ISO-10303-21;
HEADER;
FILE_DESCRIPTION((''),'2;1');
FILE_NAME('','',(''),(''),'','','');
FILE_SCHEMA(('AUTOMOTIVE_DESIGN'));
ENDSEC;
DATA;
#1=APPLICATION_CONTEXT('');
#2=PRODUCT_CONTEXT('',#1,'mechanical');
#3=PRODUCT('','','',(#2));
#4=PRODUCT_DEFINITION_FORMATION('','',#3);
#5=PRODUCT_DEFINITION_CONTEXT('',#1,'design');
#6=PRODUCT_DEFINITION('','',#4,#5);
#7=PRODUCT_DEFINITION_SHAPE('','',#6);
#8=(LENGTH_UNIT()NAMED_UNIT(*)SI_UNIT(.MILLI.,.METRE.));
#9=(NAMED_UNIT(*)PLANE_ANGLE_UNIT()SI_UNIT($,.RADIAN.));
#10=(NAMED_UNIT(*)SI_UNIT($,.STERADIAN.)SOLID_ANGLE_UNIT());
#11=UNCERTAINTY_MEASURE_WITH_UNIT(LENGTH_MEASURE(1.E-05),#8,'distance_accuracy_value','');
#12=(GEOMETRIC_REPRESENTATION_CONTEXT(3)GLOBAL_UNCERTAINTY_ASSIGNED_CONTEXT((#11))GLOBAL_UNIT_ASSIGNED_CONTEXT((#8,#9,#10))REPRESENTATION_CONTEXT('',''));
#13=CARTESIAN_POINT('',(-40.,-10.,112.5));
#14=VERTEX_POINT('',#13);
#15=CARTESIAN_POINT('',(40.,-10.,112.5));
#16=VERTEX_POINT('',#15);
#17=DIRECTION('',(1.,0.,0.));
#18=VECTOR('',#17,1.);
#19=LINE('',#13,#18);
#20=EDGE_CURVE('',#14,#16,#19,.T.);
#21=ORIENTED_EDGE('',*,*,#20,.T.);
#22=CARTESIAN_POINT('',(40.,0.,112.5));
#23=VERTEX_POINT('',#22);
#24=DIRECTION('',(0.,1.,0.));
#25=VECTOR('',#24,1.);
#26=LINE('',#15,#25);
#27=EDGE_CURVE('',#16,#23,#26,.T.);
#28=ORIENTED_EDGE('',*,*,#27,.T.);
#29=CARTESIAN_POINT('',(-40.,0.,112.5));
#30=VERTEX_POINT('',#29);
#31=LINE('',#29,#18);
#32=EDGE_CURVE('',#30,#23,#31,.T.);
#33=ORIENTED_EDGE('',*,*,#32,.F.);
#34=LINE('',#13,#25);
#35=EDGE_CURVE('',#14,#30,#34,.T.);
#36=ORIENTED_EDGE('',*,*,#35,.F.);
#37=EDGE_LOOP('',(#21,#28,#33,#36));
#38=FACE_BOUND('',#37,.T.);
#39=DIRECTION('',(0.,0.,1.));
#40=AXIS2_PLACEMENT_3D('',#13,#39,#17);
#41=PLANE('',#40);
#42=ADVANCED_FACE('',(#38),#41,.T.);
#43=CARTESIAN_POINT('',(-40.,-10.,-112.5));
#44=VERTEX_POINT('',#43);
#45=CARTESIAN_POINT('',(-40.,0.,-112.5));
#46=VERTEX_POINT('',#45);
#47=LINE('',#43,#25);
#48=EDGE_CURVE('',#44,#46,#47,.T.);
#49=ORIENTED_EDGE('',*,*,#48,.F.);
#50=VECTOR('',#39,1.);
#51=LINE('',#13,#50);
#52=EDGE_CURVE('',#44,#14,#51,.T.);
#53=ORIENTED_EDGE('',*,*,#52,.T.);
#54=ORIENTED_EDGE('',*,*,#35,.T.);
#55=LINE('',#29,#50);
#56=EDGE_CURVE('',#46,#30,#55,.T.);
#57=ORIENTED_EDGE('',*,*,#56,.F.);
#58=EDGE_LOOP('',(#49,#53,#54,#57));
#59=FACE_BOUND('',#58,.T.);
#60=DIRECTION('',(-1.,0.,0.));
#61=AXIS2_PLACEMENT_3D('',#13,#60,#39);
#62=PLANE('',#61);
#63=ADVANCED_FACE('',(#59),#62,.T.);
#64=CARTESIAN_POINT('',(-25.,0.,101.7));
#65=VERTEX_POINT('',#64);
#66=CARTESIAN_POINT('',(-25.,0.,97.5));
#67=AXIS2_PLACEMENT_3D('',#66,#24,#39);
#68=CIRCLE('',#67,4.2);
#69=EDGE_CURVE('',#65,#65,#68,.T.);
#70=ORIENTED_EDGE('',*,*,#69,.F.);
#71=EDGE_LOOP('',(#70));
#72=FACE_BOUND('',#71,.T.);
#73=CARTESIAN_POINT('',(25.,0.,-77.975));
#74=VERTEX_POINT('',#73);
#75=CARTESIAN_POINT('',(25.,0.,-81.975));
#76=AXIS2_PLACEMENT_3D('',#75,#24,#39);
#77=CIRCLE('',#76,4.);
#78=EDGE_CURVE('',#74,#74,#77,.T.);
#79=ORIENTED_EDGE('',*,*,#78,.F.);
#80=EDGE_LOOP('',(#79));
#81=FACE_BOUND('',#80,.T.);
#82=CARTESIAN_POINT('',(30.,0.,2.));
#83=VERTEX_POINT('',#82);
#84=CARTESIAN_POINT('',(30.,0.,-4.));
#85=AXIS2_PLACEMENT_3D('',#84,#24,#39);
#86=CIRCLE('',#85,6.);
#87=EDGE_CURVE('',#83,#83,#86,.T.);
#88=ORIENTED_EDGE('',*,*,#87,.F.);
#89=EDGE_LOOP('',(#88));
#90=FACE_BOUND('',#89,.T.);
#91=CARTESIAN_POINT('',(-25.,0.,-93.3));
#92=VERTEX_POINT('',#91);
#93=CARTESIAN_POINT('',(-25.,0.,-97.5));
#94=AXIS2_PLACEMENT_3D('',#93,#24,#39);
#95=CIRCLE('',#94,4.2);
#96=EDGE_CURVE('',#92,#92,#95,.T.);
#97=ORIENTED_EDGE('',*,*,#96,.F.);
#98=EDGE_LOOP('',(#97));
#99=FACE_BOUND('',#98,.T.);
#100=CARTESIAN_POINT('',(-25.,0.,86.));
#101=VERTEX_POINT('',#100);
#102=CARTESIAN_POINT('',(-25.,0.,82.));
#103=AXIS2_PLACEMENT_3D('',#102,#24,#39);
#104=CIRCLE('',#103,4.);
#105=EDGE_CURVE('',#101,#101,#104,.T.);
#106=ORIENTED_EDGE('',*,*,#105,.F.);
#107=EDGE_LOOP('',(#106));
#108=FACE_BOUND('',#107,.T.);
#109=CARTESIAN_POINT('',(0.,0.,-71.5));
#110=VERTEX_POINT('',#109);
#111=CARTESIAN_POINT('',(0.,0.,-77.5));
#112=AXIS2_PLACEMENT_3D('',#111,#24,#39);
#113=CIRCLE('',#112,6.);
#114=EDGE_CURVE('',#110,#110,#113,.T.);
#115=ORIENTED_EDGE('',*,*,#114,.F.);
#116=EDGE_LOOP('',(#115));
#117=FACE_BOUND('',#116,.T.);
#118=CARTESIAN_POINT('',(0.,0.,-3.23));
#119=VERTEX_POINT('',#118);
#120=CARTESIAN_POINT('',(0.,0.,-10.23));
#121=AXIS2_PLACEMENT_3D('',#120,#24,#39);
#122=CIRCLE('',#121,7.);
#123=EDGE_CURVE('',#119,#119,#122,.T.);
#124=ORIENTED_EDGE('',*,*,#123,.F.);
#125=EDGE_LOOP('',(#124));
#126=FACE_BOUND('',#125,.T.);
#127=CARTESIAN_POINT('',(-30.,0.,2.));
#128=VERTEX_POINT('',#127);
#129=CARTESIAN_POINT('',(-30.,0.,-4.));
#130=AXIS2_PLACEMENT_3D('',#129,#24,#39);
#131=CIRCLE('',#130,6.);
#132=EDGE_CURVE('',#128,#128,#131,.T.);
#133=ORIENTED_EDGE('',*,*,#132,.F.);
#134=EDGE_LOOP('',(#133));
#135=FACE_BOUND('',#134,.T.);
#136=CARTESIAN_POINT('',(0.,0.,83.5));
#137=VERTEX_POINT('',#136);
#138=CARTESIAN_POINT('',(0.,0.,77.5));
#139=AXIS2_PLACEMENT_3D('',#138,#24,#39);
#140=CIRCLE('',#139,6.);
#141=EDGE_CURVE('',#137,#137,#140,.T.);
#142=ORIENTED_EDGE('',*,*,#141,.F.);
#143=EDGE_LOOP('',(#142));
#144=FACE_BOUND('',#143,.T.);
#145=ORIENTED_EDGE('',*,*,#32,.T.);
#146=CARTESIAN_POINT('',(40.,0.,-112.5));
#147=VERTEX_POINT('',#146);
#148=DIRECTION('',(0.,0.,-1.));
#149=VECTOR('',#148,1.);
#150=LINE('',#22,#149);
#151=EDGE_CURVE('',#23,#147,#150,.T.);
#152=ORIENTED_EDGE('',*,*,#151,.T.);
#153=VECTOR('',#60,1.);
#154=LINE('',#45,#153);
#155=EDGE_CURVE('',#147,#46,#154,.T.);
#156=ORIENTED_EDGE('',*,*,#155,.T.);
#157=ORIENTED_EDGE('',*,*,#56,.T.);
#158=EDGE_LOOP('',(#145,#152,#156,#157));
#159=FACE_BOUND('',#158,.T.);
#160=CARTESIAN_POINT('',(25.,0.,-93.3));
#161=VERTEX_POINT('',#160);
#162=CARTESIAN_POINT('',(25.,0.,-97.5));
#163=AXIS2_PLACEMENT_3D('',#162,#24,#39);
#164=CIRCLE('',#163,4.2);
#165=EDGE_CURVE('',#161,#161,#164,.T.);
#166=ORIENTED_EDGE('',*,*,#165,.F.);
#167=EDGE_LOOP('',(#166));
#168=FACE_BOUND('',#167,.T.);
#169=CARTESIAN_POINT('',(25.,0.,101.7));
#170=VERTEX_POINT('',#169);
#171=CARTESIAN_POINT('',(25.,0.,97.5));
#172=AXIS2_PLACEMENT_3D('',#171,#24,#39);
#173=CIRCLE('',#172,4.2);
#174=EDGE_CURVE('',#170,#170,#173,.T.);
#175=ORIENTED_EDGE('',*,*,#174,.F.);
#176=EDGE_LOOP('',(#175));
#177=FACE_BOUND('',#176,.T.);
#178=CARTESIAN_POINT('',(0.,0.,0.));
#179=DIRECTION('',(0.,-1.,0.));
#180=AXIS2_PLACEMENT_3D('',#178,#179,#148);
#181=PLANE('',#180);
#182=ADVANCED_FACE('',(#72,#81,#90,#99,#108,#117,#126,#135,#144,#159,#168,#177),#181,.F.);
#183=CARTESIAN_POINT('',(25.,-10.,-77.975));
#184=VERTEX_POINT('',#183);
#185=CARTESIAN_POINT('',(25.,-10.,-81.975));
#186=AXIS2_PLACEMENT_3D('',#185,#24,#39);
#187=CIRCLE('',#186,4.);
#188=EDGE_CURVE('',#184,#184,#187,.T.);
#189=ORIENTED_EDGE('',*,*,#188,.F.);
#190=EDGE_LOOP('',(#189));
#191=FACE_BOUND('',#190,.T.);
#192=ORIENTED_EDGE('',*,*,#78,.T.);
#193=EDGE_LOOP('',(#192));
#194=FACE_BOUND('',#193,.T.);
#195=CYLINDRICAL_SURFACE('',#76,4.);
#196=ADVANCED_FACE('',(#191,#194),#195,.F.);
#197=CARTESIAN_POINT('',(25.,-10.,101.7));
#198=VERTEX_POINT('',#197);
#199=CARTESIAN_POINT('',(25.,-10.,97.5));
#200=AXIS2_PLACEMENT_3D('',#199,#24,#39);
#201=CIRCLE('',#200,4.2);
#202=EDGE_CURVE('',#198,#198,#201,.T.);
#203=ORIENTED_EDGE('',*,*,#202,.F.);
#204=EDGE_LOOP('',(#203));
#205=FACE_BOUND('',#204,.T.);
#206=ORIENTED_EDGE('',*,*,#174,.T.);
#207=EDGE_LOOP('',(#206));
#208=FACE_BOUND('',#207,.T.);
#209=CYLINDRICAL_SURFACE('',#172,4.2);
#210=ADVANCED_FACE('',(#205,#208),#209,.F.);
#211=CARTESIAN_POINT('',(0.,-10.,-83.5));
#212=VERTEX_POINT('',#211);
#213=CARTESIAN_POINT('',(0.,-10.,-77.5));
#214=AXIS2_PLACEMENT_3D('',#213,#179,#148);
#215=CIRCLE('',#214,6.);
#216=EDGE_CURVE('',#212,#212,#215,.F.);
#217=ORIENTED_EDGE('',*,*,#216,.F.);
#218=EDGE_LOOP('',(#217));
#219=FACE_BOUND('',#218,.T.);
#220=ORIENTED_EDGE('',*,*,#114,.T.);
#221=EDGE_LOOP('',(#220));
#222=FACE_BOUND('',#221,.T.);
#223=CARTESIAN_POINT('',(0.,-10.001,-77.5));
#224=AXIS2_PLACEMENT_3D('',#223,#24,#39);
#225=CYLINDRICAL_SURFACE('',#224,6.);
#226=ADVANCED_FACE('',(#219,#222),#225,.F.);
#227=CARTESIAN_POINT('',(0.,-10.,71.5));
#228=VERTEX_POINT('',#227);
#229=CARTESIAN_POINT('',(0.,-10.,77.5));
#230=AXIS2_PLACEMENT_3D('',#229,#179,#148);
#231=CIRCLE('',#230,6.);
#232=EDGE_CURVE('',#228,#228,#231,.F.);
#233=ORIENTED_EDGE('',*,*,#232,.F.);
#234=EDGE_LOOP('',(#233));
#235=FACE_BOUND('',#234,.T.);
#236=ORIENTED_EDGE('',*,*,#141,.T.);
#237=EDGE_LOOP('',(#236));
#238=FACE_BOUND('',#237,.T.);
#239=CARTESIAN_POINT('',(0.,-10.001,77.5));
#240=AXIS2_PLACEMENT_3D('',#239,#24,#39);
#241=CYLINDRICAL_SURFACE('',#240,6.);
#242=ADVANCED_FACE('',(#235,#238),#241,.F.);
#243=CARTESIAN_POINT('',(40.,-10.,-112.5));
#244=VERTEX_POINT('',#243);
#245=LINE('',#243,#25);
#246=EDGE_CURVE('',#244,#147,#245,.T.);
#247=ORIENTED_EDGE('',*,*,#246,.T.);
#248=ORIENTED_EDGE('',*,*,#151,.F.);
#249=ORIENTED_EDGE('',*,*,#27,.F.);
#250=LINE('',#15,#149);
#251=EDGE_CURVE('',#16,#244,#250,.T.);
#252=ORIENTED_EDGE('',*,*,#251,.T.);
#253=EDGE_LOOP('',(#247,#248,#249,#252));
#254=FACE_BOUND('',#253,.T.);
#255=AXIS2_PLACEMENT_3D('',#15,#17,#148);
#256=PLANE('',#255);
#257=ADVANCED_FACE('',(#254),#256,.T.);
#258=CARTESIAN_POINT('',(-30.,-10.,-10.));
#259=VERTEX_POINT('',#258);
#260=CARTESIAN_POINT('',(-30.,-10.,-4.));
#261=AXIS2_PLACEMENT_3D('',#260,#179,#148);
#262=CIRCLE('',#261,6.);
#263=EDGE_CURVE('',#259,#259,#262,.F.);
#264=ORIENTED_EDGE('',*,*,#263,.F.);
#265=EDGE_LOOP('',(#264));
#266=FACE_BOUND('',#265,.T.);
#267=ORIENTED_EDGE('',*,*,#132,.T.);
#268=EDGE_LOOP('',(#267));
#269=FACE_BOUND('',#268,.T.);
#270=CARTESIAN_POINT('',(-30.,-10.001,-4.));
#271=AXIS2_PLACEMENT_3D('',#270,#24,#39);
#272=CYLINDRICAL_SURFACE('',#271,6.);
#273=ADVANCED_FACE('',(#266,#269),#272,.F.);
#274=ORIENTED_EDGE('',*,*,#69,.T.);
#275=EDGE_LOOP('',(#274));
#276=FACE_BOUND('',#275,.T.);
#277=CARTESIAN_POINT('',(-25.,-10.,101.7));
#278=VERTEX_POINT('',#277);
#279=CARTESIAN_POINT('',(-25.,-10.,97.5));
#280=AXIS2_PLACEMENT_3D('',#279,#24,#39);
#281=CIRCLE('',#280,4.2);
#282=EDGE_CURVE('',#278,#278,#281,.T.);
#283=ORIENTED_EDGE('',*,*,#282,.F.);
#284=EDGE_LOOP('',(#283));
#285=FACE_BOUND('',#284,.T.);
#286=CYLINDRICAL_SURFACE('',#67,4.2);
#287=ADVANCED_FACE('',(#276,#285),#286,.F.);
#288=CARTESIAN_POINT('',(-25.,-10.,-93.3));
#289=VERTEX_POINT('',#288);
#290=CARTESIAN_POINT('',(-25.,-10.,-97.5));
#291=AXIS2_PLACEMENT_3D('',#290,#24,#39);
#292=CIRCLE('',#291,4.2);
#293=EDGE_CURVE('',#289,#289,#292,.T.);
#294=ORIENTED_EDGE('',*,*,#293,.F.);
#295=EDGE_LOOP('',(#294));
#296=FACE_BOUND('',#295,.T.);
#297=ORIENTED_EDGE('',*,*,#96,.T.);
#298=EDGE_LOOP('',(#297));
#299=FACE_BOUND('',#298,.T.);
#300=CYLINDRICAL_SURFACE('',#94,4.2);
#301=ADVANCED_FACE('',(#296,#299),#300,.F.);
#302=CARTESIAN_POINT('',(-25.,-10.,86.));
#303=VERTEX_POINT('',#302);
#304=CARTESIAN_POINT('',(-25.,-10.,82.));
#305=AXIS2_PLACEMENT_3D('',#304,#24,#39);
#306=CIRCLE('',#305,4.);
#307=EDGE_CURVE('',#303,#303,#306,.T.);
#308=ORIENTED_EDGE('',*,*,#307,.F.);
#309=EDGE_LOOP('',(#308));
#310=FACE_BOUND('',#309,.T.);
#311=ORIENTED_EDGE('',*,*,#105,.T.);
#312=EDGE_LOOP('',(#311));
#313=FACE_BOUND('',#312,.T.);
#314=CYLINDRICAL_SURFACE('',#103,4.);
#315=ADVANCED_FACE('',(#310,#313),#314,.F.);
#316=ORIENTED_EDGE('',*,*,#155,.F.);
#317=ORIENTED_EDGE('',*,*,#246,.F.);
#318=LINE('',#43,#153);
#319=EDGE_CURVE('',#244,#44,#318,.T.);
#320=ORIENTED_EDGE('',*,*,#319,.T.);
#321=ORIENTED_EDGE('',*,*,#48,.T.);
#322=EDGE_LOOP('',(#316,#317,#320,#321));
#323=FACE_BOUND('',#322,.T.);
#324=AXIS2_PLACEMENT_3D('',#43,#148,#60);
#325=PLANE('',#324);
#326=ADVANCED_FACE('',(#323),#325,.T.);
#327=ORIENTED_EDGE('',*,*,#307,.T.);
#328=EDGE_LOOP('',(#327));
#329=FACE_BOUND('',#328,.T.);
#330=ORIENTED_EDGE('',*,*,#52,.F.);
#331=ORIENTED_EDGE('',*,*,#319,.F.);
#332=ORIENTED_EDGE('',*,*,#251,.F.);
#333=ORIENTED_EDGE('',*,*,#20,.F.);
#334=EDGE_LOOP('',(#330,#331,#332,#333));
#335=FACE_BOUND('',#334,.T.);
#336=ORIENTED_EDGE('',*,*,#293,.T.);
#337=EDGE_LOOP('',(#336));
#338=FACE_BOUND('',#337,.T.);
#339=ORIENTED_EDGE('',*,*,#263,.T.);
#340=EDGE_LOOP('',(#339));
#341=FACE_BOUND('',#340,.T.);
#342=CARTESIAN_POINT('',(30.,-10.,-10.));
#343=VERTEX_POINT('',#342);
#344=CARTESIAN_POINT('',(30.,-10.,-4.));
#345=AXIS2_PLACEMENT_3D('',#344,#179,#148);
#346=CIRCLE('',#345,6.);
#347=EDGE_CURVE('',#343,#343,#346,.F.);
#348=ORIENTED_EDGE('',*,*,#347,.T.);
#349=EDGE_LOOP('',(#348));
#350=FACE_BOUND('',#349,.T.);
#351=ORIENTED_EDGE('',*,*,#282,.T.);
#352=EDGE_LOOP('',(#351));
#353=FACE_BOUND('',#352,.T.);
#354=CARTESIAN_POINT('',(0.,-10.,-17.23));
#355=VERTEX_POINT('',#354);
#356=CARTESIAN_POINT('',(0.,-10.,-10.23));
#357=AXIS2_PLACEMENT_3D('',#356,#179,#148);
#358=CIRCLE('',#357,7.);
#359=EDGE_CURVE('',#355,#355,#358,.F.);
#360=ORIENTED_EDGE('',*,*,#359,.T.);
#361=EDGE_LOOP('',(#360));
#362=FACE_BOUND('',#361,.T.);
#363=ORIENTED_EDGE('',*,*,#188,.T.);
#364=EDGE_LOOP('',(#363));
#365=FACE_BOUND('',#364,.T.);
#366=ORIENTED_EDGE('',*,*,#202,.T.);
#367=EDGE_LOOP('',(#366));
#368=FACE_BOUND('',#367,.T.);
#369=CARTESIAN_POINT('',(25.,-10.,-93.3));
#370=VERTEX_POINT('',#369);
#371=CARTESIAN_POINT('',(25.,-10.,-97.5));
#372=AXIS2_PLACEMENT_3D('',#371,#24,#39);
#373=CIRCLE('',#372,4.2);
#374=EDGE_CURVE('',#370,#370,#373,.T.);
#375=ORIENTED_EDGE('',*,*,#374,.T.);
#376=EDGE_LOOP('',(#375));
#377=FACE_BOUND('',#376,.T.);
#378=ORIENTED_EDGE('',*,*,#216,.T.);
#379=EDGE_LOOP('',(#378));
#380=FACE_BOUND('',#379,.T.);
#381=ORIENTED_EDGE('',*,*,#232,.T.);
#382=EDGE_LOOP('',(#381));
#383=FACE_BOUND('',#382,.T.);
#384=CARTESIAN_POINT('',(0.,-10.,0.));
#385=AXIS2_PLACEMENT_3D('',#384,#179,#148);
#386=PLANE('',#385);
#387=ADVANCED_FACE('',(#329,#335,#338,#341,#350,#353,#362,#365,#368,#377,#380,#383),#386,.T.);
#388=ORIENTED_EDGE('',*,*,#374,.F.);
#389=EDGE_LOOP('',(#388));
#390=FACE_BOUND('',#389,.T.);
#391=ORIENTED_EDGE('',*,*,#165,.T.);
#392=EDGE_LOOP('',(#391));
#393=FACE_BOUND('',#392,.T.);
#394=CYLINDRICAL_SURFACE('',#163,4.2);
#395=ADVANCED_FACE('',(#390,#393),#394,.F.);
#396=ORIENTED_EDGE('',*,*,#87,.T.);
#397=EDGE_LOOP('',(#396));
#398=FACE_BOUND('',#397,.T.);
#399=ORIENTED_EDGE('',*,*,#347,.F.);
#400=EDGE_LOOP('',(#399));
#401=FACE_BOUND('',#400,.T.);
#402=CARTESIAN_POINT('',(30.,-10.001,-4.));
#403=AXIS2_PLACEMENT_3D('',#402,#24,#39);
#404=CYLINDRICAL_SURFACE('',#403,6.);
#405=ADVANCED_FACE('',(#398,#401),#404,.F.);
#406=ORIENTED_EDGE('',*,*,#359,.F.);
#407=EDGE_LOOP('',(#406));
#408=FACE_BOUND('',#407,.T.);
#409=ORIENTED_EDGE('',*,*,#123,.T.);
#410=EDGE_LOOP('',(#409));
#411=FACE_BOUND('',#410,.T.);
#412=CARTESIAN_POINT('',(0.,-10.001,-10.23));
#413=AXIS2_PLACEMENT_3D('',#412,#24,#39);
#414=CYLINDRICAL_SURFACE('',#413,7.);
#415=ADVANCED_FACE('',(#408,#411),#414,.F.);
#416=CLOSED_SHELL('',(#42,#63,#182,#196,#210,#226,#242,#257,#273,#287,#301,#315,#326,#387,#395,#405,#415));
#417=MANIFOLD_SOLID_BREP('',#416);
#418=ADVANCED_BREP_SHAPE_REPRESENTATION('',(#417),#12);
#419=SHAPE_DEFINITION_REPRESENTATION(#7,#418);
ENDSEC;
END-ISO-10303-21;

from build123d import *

# Parameters (mm, degrees)
SKETCH1_W             = 80
SKETCH1_H             = 225
BOSS_EXTRUDE1_DEPTH   = 10
CUT_EXTRUDE1_REACH    = 121.818
SKETCH2_R             = 6
M8_CLEARANCE_HOLE1_D  = 8.4
F_8_0MM_DOWEL_HOLE1_D = 8
CUT_EXTRUDE3_REACH    = 121.818
SKETCH10_R            = 7


with BuildPart() as part:
    # Sketch1 → Boss-Extrude1 (new body)
    with BuildSketch(Plane(origin=(0, 0, 0), x_dir=(1, 0, 0), z_dir=(0, 1, 0))):
        Rectangle(SKETCH1_W, SKETCH1_H)
    extrude(amount=-BOSS_EXTRUDE1_DEPTH)

    # Sketch2 → Cut-Extrude1 (cut, up to next)
    with BuildSketch(Plane(origin=(0, 0, 0), x_dir=(1, 0, 0), z_dir=(0, 1, 0)), mode=Mode.PRIVATE) as cut_extrude1_sk1:
        with Locations(Location((0, 77.5, 0), (0, 0, 270))):
            Circle(SKETCH2_R)
    cut_extrude1_tool1 = extrude(cut_extrude1_sk1.sketch, amount=-CUT_EXTRUDE1_REACH, mode=Mode.PRIVATE) & part.part
    # Sketch2 → Cut-Extrude1 (cut, up to next)
    with BuildSketch(Plane(origin=(0, 0, 0), x_dir=(1, 0, 0), z_dir=(0, 1, 0)), mode=Mode.PRIVATE) as cut_extrude1_sk2:
        with Locations(Location((30, 4, 0), (0, 0, 270))):
            Circle(SKETCH2_R)
    cut_extrude1_tool2 = extrude(cut_extrude1_sk2.sketch, amount=-CUT_EXTRUDE1_REACH, mode=Mode.PRIVATE) & part.part
    # Sketch2 → Cut-Extrude1 (cut, up to next)
    with BuildSketch(Plane(origin=(0, 0, 0), x_dir=(1, 0, 0), z_dir=(0, 1, 0)), mode=Mode.PRIVATE) as cut_extrude1_sk3:
        with Locations(Location((-30, 4, 0), (0, 0, 270))):
            Circle(SKETCH2_R)
    cut_extrude1_tool3 = extrude(cut_extrude1_sk3.sketch, amount=-CUT_EXTRUDE1_REACH, mode=Mode.PRIVATE) & part.part
    # Sketch2 → Cut-Extrude1 (cut, up to next)
    with BuildSketch(Plane(origin=(0, 0, 0), x_dir=(1, 0, 0), z_dir=(0, 1, 0)), mode=Mode.PRIVATE) as cut_extrude1_sk4:
        with Locations(Location((0, -77.5, 0), (0, 0, 270))):
            Circle(SKETCH2_R)
    cut_extrude1_tool4 = extrude(cut_extrude1_sk4.sketch, amount=-CUT_EXTRUDE1_REACH, mode=Mode.PRIVATE) & part.part
    add(cut_extrude1_tool1.solids().sort_by_distance((0, 0, -77.5))[0], mode=Mode.SUBTRACT)
    add(cut_extrude1_tool2.solids().sort_by_distance((30, 0, -4))[0], mode=Mode.SUBTRACT)
    add(cut_extrude1_tool3.solids().sort_by_distance((-30, 0, -4))[0], mode=Mode.SUBTRACT)
    add(cut_extrude1_tool4.solids().sort_by_distance((0, 0, 77.5))[0], mode=Mode.SUBTRACT)

    # M8 Clearance Hole1 (through all)
    with Locations(Plane(origin=(0, 0, 0), x_dir=(1, 0, 0), z_dir=(0, 1, 0))):
        with Locations((-25, 97.5), (25, 97.5), (25, -97.5), (-25, -97.5)):
            Hole(M8_CLEARANCE_HOLE1_D / 2)

    # Ø8.0mm Dowel Hole1 (through all)
    with Locations(Plane(origin=(0, 0, 0), x_dir=(1, 0, 0), z_dir=(0, 1, 0))):
        with Locations((25, 81.975), (-25, -82)):
            Hole(F_8_0MM_DOWEL_HOLE1_D / 2)

    # Sketch10 → Cut-Extrude3 (cut, up to next)
    with BuildSketch(Plane(origin=(0, 0, 0), x_dir=(1, 0, 0), z_dir=(0, 1, 0)), mode=Mode.PRIVATE) as cut_extrude3_sk1:
        with Locations(Location((0, 10.23, 0), (0, 0, 270))):
            Circle(SKETCH10_R)
    cut_extrude3_tool1 = extrude(cut_extrude3_sk1.sketch, amount=-CUT_EXTRUDE3_REACH, mode=Mode.PRIVATE) & part.part
    add(cut_extrude3_tool1.solids().sort_by_distance((0, 0, -10.23))[0], mode=Mode.SUBTRACT)


solid = part.part
